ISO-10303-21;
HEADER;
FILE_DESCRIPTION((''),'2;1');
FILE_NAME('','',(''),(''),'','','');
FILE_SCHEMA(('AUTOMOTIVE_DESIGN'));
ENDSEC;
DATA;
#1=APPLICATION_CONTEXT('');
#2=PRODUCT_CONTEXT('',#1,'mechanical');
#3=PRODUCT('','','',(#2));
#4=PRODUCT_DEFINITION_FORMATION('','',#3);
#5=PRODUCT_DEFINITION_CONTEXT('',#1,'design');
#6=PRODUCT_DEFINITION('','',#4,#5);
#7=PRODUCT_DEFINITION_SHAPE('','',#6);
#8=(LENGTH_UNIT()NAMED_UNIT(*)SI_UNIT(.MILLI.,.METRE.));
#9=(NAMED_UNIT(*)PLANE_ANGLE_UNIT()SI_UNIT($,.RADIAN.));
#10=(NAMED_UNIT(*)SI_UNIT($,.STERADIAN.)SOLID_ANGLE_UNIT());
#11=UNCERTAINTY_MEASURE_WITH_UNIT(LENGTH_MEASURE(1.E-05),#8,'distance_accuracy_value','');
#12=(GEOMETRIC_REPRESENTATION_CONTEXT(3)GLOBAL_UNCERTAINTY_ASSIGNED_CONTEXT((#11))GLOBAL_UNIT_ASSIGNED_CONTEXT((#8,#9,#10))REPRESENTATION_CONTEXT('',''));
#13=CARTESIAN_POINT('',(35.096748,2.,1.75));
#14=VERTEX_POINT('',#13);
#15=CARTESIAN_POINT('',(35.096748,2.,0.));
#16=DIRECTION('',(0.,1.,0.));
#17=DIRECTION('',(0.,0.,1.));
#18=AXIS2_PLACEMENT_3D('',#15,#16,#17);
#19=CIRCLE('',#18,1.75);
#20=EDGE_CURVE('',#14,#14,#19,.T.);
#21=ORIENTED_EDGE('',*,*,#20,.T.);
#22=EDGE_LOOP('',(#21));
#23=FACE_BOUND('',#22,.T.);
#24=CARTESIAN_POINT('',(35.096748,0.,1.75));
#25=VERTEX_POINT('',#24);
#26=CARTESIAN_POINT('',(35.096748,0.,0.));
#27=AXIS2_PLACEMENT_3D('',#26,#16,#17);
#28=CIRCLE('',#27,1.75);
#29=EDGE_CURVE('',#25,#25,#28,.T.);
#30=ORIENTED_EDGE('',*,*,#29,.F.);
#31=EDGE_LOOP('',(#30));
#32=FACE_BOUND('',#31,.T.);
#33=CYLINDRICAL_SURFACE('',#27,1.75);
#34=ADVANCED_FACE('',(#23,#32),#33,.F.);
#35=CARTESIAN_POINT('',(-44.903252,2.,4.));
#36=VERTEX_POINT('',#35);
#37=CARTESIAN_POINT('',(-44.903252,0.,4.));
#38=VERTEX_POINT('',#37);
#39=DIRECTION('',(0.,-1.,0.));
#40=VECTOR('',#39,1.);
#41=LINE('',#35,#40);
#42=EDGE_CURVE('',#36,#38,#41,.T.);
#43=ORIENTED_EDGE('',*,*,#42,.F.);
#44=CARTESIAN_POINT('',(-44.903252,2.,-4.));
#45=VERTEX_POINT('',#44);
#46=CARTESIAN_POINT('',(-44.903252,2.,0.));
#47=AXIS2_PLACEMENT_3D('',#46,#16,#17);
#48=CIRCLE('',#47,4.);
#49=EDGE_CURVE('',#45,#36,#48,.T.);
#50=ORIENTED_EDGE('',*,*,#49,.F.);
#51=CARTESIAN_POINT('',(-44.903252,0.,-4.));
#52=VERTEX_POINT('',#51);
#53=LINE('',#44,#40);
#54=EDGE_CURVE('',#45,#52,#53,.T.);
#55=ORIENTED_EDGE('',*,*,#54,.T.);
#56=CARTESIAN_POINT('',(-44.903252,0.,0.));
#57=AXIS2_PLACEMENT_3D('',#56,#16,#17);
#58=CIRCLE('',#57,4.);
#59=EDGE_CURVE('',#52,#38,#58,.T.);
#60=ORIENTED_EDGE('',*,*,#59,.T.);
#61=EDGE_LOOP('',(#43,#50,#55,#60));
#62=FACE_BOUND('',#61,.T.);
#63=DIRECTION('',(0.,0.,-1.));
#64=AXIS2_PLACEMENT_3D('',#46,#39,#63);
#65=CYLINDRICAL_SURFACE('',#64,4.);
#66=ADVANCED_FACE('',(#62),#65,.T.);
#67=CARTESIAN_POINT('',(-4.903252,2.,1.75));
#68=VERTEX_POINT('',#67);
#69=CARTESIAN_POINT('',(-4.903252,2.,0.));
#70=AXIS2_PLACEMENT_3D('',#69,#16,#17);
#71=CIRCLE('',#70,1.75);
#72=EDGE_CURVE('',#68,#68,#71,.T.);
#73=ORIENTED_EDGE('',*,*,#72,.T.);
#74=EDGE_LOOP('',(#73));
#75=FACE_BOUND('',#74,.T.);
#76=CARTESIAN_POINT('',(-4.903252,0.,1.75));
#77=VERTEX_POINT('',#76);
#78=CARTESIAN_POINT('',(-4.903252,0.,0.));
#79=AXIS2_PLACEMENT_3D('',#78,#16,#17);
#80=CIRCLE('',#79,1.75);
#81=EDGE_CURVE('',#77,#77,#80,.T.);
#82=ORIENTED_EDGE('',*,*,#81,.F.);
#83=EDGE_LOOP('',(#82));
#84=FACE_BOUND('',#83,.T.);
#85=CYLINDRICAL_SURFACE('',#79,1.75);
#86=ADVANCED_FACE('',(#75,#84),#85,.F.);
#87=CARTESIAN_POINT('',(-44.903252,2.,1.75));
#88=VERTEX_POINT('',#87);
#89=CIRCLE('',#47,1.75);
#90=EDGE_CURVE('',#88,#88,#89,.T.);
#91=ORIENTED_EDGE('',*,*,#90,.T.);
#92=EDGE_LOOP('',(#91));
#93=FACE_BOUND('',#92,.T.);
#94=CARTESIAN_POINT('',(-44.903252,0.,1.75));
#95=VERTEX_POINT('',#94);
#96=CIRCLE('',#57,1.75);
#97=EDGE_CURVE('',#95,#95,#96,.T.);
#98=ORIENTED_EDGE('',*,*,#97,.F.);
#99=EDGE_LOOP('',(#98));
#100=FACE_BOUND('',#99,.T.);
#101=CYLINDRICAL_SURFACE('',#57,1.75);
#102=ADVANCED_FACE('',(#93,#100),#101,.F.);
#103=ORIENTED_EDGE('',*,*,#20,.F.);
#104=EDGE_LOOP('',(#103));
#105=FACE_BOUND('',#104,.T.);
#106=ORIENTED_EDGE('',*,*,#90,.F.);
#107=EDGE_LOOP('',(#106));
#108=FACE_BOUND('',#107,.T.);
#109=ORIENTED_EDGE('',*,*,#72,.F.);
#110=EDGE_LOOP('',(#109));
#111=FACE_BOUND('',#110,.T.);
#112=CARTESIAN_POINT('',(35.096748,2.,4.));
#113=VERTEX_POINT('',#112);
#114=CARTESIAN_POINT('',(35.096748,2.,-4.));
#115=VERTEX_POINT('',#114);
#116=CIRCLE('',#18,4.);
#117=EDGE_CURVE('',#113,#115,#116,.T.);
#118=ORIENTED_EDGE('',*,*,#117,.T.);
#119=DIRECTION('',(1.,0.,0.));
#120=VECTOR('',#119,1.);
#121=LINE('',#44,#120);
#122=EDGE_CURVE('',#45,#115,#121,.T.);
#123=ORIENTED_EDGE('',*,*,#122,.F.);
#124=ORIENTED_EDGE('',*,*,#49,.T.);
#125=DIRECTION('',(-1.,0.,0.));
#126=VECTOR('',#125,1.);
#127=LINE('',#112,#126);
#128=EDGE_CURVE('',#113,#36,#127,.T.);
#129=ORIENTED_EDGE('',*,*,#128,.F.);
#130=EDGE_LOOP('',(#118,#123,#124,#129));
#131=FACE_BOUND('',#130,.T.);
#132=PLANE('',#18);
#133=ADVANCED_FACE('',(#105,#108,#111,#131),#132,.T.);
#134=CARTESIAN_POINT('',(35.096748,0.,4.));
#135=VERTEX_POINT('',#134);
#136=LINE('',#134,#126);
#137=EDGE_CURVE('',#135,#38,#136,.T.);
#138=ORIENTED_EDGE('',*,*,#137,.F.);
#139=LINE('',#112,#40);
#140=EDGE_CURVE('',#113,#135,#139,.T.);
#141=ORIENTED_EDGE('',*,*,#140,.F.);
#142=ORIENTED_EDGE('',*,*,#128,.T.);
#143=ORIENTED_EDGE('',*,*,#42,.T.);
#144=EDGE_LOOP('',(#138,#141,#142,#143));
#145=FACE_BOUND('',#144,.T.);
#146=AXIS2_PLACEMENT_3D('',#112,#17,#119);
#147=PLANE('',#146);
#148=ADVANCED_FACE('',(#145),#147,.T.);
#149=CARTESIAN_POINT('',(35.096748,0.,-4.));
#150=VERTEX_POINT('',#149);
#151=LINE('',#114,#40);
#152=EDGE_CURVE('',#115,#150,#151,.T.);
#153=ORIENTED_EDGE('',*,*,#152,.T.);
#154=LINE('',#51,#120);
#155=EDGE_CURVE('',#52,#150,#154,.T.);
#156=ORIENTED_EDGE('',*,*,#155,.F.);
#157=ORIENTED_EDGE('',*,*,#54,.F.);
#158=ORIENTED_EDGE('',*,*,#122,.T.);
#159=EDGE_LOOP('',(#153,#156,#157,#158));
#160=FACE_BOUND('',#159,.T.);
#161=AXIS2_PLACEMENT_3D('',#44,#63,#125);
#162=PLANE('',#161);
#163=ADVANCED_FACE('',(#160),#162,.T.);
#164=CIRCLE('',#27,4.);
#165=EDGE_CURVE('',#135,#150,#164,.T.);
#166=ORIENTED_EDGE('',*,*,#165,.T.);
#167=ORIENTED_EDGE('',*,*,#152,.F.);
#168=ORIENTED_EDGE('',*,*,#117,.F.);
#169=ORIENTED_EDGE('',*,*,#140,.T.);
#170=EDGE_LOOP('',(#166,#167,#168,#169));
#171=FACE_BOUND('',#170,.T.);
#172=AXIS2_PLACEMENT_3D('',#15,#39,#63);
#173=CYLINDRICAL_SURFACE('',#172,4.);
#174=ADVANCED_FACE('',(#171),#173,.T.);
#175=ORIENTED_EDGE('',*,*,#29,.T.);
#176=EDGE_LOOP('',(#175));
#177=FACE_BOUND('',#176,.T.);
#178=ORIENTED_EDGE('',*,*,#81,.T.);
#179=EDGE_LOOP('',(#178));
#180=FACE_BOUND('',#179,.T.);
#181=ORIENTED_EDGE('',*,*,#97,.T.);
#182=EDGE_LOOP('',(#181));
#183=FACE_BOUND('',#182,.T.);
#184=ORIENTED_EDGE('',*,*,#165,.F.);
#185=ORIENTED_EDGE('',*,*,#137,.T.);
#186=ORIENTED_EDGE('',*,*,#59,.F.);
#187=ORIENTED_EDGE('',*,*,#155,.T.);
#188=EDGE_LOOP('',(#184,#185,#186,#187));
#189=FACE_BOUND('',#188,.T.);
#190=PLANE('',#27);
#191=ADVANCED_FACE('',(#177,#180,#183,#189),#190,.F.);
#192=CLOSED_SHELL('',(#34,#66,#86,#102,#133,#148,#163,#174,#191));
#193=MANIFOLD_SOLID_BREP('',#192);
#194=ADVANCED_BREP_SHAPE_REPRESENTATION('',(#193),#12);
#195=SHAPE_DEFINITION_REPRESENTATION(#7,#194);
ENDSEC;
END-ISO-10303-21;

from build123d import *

# Parameters (mm, degrees)
EXTRUDE_1_DEPTH     = 2
SKETCH_2_R          = 1.75
CUT_EXTRUDE_1_DEPTH = 50.107311212


with BuildPart() as part:
    # 草图1 → 凸台-拉伸1 (new body)
    with BuildSketch(Plane(origin=(0, 0, 0), x_dir=(1, 0, 0), z_dir=(0, 1, 0))):
        with BuildLine():
            Line((-44.903251574, 4), (35.096748426, 4))
            ThreePointArc((35.096748426, 4), (39.096748426, 0), (35.096748426, -4))
            Line((35.096748426, -4), (-44.903251574, -4))
            ThreePointArc((-44.903251574, -4), (-48.903251574, 0), (-44.903251574, 4))
        make_face()
    extrude(amount=EXTRUDE_1_DEPTH)

    # 草图2 → 切除-拉伸1 (cut, through all)
    with BuildSketch(Plane(origin=(0, 2, 0), x_dir=(1, 0, 0), z_dir=(0, 1, 0))):
        with Locations(Location((-44.903251574, 0, 0), (0, 0, 270))):
            Circle(SKETCH_2_R)
        with Locations(Location((35.096748426, 0, 0), (0, 0, 270))):
            Circle(SKETCH_2_R)
        with Locations(Location((-4.903251574, 0, 0), (0, 0, 270))):
            Circle(SKETCH_2_R)
    extrude(amount=-CUT_EXTRUDE_1_DEPTH, mode=Mode.SUBTRACT)


solid = part.part
